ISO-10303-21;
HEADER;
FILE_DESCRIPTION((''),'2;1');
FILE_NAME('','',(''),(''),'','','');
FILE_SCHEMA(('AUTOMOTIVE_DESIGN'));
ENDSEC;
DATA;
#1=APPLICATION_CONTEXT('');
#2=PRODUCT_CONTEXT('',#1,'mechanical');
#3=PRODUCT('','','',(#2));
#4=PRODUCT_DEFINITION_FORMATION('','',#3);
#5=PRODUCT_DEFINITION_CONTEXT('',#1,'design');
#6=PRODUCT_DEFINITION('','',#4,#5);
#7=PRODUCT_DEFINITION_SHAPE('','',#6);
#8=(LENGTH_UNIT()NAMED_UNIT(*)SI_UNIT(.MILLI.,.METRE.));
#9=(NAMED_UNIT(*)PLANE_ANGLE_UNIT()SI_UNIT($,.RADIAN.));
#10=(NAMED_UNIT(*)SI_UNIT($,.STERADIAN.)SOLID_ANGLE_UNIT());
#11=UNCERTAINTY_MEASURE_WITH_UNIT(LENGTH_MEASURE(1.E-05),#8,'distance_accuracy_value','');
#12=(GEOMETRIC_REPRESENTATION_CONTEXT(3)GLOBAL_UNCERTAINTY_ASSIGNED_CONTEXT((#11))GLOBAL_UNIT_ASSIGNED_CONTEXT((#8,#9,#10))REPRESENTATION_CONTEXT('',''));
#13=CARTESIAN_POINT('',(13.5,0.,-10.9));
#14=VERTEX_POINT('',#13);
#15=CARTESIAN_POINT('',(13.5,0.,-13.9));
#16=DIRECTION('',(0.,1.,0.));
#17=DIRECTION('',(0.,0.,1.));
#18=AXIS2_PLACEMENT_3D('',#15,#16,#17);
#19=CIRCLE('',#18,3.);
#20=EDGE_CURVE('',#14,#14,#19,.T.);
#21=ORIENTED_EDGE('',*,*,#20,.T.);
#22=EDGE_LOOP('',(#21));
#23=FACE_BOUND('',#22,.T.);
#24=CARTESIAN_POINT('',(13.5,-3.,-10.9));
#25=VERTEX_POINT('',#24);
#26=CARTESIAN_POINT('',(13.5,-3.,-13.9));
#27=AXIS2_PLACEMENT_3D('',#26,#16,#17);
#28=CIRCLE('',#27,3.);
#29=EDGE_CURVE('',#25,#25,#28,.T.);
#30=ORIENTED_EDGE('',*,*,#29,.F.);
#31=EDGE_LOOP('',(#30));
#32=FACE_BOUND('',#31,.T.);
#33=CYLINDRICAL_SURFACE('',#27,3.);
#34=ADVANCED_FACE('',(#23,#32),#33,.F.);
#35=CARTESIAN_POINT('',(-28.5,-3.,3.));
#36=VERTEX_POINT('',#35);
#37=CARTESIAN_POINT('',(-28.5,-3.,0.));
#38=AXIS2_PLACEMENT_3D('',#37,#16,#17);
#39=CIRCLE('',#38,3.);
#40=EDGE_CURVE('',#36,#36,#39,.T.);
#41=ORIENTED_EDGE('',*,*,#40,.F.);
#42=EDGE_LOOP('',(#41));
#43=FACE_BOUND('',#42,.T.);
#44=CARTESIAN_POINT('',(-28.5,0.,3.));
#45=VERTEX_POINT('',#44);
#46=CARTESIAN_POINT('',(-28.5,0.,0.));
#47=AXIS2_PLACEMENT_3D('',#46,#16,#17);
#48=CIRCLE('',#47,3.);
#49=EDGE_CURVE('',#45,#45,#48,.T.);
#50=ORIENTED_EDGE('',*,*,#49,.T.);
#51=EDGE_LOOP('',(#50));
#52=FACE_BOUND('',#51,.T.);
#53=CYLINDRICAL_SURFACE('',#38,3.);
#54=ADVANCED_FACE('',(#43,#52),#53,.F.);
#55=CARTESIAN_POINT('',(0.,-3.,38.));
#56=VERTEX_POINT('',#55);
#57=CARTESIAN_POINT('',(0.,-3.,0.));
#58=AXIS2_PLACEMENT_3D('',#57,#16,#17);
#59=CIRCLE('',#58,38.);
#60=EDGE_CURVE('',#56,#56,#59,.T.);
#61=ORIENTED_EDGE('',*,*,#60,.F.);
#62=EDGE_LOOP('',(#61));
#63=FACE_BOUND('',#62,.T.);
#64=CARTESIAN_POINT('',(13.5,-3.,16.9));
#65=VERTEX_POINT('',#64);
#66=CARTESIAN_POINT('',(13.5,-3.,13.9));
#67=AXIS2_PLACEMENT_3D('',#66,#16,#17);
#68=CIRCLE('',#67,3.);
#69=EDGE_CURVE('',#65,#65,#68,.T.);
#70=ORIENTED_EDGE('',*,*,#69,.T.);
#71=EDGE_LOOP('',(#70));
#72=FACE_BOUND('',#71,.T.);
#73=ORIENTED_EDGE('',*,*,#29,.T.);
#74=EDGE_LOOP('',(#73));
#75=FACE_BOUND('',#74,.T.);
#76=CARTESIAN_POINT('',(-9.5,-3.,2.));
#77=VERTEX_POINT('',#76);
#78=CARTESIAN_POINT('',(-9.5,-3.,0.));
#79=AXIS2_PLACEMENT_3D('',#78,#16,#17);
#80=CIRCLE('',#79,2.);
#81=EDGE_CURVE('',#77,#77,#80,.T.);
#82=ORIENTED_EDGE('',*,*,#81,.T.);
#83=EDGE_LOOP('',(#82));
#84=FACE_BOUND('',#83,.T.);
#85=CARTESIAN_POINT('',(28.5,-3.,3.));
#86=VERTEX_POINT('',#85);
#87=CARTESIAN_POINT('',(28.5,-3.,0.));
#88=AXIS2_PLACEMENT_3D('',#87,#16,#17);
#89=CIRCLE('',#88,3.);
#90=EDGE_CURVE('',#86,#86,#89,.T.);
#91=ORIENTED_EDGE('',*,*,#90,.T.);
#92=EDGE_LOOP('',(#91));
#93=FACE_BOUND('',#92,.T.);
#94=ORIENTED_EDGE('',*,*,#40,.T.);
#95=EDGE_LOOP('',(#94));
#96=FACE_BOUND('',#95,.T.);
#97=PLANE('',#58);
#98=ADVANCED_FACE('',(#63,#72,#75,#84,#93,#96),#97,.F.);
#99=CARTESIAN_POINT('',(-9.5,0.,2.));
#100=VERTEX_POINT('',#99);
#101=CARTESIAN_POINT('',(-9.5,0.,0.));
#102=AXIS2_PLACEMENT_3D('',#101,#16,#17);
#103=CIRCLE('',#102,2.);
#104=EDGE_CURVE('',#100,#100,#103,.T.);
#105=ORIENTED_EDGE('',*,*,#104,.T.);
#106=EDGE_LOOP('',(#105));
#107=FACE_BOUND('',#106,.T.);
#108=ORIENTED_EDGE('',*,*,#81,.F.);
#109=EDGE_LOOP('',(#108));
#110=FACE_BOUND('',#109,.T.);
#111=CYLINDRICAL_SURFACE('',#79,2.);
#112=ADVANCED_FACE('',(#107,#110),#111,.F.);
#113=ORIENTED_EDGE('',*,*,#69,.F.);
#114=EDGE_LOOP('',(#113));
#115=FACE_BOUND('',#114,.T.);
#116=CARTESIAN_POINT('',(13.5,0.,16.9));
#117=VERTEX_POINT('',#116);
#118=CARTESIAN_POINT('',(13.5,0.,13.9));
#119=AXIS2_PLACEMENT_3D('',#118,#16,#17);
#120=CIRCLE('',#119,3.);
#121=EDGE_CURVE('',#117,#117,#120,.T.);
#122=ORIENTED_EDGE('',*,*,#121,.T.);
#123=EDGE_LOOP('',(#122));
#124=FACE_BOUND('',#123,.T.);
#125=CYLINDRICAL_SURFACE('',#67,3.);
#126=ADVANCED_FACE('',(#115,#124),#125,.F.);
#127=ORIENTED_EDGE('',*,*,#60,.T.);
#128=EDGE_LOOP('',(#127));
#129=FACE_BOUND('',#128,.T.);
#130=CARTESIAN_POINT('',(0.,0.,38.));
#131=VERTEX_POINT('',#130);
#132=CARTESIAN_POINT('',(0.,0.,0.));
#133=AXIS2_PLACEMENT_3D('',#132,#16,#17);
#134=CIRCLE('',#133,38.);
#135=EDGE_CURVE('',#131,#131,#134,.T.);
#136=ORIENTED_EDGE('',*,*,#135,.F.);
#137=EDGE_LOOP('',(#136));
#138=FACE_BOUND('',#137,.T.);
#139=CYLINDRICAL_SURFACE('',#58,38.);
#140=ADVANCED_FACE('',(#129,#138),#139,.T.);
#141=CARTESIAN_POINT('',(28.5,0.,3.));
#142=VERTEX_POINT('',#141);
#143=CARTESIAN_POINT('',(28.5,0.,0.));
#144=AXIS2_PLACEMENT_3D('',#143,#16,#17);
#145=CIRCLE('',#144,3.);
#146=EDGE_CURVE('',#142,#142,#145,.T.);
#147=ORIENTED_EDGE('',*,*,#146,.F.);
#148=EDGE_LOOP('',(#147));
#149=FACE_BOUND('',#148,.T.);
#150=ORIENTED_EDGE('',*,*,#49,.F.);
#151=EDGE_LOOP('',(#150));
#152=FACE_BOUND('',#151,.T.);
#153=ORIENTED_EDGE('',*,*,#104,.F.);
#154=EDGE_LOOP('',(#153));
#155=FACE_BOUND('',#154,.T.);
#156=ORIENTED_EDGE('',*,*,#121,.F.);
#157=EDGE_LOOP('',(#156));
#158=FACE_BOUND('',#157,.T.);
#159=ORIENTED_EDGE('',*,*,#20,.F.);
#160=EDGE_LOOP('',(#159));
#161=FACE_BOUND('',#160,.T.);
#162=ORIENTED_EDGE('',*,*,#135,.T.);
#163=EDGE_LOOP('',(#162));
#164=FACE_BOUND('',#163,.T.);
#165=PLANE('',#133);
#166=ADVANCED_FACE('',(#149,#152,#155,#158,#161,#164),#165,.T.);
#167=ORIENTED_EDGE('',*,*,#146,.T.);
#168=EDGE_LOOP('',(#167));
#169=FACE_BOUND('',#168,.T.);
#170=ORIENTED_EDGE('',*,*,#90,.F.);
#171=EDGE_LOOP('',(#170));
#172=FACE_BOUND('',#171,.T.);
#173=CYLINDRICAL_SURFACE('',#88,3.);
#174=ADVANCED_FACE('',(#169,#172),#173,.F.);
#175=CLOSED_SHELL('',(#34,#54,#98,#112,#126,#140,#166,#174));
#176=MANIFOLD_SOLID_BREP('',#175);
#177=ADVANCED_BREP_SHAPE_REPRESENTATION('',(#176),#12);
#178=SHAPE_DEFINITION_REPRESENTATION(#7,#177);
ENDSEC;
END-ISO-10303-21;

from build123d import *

# Parameters (mm, degrees)
SKETCH1_R           = 38
SKETCH1_R_2         = 3
SKETCH1_R_3         = 2
BOSS_EXTRUDE1_DEPTH = 3


with BuildPart() as part:
    # Sketch1 → Boss-Extrude1 (new body)
    with BuildSketch(Plane(origin=(0, 0, 0), x_dir=(1, 0, 0), z_dir=(0, 1, 0))):
        with Locations(Location((0, 0, 0), (0, 0, 270))):
            Circle(SKETCH1_R)
        with Locations(Location((28.5, 0, 0), (0, 0, 270))):
            Circle(SKETCH1_R_2, mode=Mode.SUBTRACT)
        with Locations(Location((-28.5, 0, 0), (0, 0, 270))):
            Circle(SKETCH1_R_2, mode=Mode.SUBTRACT)
        with Locations(Location((13.5, 13.9, 0), (0, 0, 270))):
            Circle(SKETCH1_R_2, mode=Mode.SUBTRACT)
        with Locations(Location((13.5, -13.9, 0), (0, 0, 270))):
            Circle(SKETCH1_R_2, mode=Mode.SUBTRACT)
        with Locations(Location((-9.5, 0, 0), (0, 0, 270))):
            Circle(SKETCH1_R_3, mode=Mode.SUBTRACT)
    extrude(amount=-BOSS_EXTRUDE1_DEPTH)


solid = part.part
